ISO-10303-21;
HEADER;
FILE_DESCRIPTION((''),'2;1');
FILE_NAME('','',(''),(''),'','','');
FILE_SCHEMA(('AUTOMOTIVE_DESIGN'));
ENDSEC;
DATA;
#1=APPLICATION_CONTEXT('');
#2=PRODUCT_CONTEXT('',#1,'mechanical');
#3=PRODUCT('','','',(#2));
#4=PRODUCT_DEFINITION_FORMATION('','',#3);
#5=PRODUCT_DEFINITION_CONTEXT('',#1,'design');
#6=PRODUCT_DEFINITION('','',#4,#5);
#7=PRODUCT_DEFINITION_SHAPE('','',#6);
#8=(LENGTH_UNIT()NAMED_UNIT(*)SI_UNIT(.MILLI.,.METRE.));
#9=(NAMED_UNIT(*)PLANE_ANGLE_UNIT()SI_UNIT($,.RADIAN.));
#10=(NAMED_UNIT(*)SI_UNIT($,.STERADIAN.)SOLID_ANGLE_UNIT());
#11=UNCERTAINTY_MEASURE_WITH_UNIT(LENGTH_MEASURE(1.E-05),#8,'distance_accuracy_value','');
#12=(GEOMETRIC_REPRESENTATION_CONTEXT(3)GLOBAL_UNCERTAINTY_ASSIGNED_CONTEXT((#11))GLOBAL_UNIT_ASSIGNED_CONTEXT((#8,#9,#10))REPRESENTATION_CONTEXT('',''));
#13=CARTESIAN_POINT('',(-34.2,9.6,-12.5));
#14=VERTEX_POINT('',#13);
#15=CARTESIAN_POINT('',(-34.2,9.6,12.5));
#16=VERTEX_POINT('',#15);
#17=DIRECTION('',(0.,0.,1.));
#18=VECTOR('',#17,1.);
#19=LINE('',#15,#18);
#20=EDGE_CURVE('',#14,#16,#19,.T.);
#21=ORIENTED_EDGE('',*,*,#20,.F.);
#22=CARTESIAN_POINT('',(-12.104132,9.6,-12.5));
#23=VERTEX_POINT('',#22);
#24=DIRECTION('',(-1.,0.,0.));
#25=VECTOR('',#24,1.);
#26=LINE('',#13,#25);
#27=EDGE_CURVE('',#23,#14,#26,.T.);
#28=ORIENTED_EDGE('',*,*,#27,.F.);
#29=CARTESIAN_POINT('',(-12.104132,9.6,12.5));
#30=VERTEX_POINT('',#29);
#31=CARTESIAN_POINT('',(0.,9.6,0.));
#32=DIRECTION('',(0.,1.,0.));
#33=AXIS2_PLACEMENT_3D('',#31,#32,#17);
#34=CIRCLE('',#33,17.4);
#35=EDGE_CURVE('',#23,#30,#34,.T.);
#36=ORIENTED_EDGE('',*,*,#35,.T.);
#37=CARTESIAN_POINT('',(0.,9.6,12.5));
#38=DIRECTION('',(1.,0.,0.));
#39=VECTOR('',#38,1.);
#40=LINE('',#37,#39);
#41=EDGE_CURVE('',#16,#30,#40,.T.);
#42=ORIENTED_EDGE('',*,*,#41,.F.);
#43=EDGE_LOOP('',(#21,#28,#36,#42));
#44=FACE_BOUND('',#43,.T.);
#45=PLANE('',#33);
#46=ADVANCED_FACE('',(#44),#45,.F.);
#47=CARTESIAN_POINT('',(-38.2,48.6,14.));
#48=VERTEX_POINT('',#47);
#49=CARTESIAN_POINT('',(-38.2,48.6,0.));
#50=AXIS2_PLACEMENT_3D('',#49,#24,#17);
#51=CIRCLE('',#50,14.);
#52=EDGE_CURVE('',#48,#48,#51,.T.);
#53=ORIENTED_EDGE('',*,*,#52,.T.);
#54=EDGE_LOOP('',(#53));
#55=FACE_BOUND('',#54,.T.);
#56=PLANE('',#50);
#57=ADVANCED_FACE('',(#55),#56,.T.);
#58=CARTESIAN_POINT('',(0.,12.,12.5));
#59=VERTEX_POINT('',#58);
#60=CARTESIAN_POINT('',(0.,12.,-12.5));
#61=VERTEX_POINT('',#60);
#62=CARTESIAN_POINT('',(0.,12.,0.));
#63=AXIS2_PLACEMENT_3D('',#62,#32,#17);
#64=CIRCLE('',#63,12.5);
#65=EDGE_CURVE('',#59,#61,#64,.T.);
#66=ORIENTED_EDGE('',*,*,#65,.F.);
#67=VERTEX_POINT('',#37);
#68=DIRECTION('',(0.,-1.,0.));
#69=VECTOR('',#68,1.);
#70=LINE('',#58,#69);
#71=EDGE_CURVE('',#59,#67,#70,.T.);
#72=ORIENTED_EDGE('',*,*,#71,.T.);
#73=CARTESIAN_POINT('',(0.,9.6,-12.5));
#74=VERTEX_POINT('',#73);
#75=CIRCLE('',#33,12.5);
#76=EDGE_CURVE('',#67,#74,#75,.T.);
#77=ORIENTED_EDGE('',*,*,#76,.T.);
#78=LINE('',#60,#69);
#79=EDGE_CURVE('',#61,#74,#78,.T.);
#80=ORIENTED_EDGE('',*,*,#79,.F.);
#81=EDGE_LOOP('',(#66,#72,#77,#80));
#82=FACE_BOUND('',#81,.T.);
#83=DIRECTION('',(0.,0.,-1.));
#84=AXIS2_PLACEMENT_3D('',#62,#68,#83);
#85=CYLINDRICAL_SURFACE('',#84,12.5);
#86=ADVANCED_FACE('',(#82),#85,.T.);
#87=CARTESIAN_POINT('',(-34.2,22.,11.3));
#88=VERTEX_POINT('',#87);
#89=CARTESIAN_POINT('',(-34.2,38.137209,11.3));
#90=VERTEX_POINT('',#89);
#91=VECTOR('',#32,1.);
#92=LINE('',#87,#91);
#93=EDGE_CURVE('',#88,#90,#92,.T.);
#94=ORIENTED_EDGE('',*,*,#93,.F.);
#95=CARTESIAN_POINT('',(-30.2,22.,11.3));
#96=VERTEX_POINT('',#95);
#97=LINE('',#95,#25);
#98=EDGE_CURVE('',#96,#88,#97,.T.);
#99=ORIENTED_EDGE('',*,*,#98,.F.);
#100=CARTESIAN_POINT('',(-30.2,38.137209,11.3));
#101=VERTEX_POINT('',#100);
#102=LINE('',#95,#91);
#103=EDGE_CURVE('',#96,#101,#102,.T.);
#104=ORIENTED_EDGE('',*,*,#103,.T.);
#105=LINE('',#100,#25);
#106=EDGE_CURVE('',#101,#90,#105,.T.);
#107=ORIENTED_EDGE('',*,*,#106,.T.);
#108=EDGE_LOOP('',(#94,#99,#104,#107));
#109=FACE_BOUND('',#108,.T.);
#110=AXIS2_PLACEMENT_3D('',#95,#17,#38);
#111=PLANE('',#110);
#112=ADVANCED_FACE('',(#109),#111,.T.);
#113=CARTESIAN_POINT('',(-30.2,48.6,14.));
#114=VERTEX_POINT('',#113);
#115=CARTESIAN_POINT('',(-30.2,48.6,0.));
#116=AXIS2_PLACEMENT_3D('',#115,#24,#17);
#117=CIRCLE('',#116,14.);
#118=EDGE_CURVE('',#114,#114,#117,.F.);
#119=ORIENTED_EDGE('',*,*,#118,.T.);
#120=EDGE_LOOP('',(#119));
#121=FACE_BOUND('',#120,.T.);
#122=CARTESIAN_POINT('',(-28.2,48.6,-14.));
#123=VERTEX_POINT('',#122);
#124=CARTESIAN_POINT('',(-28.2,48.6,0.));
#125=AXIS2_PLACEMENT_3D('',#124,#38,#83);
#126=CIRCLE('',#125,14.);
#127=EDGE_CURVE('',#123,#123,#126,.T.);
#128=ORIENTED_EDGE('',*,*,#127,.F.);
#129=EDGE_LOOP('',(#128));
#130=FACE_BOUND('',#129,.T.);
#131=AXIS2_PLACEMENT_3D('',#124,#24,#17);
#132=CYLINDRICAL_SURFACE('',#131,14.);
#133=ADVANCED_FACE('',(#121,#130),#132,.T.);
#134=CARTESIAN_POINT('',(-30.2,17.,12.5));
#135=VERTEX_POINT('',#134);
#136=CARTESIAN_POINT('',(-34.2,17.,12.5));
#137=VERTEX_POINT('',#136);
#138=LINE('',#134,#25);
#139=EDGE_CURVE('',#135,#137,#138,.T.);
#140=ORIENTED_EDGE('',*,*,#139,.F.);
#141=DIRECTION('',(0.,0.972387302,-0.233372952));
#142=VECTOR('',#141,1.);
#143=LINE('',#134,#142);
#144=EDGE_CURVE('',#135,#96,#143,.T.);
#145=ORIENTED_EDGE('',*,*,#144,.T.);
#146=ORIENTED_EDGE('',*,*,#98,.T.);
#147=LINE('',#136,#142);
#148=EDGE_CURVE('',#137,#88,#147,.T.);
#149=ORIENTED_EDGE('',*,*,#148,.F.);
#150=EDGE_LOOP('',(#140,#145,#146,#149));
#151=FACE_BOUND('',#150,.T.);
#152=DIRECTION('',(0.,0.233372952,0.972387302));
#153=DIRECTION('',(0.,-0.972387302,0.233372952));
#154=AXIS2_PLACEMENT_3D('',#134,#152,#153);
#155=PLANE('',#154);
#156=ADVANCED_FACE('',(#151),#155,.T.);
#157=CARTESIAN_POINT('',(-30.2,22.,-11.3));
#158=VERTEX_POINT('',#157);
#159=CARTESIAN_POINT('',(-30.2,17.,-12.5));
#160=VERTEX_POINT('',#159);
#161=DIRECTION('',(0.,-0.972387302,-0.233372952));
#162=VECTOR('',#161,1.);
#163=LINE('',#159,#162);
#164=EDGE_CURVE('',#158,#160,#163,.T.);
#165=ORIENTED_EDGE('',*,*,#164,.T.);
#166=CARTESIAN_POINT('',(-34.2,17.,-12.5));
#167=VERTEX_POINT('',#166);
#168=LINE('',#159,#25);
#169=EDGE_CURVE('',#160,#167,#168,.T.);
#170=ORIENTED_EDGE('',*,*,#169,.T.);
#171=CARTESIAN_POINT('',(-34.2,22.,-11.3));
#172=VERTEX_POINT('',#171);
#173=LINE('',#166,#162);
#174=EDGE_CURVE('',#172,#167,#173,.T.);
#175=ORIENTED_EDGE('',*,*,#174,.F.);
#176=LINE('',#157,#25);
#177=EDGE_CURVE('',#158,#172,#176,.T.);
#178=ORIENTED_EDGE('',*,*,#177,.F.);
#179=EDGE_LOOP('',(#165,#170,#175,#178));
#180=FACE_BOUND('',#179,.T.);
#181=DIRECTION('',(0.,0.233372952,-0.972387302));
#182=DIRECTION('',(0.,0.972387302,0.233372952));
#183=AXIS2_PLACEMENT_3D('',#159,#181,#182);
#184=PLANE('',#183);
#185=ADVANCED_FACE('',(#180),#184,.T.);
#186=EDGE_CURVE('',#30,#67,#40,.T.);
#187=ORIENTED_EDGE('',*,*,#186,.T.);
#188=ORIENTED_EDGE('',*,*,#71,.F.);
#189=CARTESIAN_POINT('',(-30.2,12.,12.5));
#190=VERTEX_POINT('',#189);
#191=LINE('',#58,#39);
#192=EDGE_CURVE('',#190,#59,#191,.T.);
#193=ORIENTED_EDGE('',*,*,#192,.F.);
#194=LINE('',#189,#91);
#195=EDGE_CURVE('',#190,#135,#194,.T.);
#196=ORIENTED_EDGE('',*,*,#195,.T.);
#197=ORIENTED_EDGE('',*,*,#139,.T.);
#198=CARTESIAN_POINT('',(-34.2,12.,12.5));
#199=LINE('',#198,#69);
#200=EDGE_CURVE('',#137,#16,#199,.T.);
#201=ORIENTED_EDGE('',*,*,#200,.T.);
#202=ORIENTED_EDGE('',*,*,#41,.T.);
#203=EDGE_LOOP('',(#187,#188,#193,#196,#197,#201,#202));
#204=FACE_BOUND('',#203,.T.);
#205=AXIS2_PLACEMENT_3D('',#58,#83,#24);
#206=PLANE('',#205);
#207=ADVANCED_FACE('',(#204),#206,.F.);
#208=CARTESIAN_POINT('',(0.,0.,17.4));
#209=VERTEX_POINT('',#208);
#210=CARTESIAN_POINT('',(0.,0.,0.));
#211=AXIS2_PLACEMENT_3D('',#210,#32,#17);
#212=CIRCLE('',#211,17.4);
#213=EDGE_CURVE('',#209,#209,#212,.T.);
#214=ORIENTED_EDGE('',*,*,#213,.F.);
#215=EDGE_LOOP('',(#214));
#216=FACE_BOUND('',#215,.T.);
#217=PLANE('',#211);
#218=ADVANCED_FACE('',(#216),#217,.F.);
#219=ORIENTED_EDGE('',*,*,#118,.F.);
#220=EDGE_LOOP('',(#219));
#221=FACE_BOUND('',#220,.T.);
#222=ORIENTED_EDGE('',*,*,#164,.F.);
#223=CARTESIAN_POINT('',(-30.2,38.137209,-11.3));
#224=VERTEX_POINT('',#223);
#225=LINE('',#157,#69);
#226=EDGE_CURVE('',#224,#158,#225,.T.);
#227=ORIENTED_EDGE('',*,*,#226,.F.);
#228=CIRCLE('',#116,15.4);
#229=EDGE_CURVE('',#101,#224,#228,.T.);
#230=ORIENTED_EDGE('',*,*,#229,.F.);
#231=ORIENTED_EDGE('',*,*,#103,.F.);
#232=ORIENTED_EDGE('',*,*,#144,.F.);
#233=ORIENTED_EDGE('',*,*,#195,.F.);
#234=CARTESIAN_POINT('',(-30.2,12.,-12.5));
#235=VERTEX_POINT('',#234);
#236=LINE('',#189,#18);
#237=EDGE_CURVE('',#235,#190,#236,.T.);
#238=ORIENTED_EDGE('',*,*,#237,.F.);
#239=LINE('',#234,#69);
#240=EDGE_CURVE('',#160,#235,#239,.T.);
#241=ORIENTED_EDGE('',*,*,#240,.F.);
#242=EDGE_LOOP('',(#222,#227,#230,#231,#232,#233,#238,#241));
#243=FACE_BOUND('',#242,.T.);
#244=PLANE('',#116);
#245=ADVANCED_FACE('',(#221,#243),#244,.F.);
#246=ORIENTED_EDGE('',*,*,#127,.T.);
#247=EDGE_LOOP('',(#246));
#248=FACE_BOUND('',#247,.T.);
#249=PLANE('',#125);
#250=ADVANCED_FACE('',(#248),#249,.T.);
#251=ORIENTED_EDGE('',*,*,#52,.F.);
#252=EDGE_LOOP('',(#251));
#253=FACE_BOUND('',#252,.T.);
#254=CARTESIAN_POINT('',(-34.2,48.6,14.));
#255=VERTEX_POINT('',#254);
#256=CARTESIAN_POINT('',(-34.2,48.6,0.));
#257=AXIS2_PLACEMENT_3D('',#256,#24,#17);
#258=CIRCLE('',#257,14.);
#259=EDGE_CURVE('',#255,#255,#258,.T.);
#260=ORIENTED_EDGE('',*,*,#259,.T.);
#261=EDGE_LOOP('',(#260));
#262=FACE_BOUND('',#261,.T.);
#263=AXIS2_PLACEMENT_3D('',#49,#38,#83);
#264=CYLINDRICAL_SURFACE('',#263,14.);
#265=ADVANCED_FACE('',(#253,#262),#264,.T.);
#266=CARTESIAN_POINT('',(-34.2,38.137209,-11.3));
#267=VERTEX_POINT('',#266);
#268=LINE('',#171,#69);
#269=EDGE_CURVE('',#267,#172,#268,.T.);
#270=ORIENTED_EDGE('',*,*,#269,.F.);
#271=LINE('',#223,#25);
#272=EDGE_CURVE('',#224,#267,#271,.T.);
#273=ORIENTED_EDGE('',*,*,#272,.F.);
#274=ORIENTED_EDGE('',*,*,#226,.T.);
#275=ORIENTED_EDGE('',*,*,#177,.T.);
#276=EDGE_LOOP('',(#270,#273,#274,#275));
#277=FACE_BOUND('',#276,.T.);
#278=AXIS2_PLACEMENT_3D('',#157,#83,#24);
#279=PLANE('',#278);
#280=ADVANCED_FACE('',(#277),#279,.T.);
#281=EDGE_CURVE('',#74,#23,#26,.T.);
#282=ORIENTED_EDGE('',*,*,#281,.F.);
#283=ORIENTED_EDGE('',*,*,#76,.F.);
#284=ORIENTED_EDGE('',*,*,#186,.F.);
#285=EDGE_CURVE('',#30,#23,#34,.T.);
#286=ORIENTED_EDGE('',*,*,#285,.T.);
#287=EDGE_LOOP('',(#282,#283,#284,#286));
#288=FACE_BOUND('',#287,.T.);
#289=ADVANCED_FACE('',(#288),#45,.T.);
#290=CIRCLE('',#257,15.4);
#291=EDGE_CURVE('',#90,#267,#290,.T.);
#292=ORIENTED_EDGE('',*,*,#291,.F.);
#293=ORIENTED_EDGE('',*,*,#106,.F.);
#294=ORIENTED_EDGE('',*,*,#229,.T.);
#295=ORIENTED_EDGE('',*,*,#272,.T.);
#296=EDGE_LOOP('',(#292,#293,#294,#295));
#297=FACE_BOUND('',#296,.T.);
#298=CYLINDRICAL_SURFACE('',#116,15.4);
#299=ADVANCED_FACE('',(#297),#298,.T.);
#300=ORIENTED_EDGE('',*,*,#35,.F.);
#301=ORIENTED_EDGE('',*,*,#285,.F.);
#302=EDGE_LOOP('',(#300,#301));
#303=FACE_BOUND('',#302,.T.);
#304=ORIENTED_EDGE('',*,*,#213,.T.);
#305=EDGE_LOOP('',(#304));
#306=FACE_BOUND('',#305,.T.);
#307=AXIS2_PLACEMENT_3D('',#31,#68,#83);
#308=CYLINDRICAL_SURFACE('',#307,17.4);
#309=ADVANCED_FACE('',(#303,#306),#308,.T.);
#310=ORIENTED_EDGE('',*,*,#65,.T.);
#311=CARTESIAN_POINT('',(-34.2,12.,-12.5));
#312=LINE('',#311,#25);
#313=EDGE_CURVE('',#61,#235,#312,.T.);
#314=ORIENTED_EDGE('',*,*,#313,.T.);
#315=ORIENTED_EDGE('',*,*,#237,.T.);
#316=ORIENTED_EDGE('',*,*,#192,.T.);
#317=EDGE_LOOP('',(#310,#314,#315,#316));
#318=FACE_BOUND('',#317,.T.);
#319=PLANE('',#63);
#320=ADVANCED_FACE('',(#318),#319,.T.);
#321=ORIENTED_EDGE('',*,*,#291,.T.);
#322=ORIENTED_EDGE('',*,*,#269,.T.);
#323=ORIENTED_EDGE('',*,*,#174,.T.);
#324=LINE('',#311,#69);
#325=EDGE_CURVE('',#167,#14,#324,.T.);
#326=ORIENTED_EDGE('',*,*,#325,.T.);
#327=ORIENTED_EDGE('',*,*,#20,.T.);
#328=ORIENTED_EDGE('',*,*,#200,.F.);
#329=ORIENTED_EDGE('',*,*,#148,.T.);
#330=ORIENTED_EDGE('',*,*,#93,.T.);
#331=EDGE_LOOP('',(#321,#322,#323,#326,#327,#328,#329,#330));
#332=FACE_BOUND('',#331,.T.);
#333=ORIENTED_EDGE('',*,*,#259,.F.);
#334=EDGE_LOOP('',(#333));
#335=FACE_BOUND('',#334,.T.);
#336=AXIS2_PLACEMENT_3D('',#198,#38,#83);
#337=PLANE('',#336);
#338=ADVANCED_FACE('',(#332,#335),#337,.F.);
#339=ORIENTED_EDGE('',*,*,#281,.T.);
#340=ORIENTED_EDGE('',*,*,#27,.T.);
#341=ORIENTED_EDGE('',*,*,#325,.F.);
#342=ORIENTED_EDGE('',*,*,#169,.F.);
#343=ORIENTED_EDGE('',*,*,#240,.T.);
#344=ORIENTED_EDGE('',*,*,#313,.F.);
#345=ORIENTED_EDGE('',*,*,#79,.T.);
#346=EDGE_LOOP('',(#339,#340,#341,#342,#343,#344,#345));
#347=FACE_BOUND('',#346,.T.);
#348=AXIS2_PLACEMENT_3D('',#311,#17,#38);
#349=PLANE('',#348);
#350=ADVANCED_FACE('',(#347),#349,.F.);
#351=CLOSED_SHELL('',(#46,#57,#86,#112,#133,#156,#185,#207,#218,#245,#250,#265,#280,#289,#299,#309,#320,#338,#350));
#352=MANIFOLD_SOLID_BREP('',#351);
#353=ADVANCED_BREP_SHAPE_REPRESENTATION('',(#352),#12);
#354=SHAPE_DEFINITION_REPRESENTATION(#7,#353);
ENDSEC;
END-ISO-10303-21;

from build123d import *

# Parameters (mm, degrees)
SKETCH1_R           = 17.4
BOSS_EXTRUDE1_DEPTH = 9.6
BOSS_EXTRUDE2_DEPTH = 2.4
BOSS_EXTRUDE3_DEPTH = 4
SKETCH6_R           = 14
BOSS_EXTRUDE4_DEPTH = 4
BOSS_EXTRUDE5_START = 2
SKETCH7_R           = 14
BOSS_EXTRUDE5_DEPTH = 2


with BuildPart() as part:
    # Sketch1 → Boss-Extrude1 (new body)
    with BuildSketch(Plane(origin=(0, 0, 0), x_dir=(1, 0, 0), z_dir=(0, 1, 0))):
        with Locations(Location((0, 0, 0), (0, 0, 270))):
            Circle(SKETCH1_R)
    extrude(amount=BOSS_EXTRUDE1_DEPTH)

    # Sketch2 → Boss-Extrude2 (add)
    with BuildSketch(Plane(origin=(0, 9.6, 0), x_dir=(1, 0, 0), z_dir=(0, 1, 0))):
        with BuildLine():
            Line((0, -12.5), (-34.2, -12.5))
            Line((-34.2, -12.5), (-34.2, 12.5))
            Line((-34.2, 12.5), (0, 12.5))
            ThreePointArc((0, 12.5), (12.5, 0), (0, -12.5))
        make_face()
    extrude(amount=BOSS_EXTRUDE2_DEPTH)

    # Sketch5 → Boss-Extrude3 (add)
    with BuildSketch(Plane.ZY.offset(34.2)):
        with BuildLine():
            Line((11.3, 22), (11.3, 38.137208785))
            ThreePointArc((11.3, 38.137208785), (0, 64), (-11.3, 38.137208785))
            Line((-11.3, 38.137208785), (-11.3, 22))
            Line((-11.3, 22), (-12.5, 17))
            Line((-12.5, 17), (-12.5, 12))
            Line((-12.5, 12), (12.5, 12))
            Line((12.5, 12), (12.5, 17))
            Line((12.5, 17), (11.3, 22))
        make_face()
    extrude(amount=-BOSS_EXTRUDE3_DEPTH)

    # Sketch6 → Boss-Extrude4 (add)
    with BuildSketch(Plane.ZY.offset(34.2)):
        with Locations((0, 48.6)):
            Circle(SKETCH6_R)
    extrude(amount=BOSS_EXTRUDE4_DEPTH)

    # Sketch7 → Boss-Extrude5 (add)
    with BuildSketch(Plane(origin=(-30.2, 0, 0), x_dir=(0, 0, -1), z_dir=(1, 0, 0)).offset(BOSS_EXTRUDE5_START)):
        with Locations(Location((0, 48.6, 0), (0, 0, 180))):
            Circle(SKETCH7_R)
    extrude(amount=-BOSS_EXTRUDE5_DEPTH)


solid = part.part
